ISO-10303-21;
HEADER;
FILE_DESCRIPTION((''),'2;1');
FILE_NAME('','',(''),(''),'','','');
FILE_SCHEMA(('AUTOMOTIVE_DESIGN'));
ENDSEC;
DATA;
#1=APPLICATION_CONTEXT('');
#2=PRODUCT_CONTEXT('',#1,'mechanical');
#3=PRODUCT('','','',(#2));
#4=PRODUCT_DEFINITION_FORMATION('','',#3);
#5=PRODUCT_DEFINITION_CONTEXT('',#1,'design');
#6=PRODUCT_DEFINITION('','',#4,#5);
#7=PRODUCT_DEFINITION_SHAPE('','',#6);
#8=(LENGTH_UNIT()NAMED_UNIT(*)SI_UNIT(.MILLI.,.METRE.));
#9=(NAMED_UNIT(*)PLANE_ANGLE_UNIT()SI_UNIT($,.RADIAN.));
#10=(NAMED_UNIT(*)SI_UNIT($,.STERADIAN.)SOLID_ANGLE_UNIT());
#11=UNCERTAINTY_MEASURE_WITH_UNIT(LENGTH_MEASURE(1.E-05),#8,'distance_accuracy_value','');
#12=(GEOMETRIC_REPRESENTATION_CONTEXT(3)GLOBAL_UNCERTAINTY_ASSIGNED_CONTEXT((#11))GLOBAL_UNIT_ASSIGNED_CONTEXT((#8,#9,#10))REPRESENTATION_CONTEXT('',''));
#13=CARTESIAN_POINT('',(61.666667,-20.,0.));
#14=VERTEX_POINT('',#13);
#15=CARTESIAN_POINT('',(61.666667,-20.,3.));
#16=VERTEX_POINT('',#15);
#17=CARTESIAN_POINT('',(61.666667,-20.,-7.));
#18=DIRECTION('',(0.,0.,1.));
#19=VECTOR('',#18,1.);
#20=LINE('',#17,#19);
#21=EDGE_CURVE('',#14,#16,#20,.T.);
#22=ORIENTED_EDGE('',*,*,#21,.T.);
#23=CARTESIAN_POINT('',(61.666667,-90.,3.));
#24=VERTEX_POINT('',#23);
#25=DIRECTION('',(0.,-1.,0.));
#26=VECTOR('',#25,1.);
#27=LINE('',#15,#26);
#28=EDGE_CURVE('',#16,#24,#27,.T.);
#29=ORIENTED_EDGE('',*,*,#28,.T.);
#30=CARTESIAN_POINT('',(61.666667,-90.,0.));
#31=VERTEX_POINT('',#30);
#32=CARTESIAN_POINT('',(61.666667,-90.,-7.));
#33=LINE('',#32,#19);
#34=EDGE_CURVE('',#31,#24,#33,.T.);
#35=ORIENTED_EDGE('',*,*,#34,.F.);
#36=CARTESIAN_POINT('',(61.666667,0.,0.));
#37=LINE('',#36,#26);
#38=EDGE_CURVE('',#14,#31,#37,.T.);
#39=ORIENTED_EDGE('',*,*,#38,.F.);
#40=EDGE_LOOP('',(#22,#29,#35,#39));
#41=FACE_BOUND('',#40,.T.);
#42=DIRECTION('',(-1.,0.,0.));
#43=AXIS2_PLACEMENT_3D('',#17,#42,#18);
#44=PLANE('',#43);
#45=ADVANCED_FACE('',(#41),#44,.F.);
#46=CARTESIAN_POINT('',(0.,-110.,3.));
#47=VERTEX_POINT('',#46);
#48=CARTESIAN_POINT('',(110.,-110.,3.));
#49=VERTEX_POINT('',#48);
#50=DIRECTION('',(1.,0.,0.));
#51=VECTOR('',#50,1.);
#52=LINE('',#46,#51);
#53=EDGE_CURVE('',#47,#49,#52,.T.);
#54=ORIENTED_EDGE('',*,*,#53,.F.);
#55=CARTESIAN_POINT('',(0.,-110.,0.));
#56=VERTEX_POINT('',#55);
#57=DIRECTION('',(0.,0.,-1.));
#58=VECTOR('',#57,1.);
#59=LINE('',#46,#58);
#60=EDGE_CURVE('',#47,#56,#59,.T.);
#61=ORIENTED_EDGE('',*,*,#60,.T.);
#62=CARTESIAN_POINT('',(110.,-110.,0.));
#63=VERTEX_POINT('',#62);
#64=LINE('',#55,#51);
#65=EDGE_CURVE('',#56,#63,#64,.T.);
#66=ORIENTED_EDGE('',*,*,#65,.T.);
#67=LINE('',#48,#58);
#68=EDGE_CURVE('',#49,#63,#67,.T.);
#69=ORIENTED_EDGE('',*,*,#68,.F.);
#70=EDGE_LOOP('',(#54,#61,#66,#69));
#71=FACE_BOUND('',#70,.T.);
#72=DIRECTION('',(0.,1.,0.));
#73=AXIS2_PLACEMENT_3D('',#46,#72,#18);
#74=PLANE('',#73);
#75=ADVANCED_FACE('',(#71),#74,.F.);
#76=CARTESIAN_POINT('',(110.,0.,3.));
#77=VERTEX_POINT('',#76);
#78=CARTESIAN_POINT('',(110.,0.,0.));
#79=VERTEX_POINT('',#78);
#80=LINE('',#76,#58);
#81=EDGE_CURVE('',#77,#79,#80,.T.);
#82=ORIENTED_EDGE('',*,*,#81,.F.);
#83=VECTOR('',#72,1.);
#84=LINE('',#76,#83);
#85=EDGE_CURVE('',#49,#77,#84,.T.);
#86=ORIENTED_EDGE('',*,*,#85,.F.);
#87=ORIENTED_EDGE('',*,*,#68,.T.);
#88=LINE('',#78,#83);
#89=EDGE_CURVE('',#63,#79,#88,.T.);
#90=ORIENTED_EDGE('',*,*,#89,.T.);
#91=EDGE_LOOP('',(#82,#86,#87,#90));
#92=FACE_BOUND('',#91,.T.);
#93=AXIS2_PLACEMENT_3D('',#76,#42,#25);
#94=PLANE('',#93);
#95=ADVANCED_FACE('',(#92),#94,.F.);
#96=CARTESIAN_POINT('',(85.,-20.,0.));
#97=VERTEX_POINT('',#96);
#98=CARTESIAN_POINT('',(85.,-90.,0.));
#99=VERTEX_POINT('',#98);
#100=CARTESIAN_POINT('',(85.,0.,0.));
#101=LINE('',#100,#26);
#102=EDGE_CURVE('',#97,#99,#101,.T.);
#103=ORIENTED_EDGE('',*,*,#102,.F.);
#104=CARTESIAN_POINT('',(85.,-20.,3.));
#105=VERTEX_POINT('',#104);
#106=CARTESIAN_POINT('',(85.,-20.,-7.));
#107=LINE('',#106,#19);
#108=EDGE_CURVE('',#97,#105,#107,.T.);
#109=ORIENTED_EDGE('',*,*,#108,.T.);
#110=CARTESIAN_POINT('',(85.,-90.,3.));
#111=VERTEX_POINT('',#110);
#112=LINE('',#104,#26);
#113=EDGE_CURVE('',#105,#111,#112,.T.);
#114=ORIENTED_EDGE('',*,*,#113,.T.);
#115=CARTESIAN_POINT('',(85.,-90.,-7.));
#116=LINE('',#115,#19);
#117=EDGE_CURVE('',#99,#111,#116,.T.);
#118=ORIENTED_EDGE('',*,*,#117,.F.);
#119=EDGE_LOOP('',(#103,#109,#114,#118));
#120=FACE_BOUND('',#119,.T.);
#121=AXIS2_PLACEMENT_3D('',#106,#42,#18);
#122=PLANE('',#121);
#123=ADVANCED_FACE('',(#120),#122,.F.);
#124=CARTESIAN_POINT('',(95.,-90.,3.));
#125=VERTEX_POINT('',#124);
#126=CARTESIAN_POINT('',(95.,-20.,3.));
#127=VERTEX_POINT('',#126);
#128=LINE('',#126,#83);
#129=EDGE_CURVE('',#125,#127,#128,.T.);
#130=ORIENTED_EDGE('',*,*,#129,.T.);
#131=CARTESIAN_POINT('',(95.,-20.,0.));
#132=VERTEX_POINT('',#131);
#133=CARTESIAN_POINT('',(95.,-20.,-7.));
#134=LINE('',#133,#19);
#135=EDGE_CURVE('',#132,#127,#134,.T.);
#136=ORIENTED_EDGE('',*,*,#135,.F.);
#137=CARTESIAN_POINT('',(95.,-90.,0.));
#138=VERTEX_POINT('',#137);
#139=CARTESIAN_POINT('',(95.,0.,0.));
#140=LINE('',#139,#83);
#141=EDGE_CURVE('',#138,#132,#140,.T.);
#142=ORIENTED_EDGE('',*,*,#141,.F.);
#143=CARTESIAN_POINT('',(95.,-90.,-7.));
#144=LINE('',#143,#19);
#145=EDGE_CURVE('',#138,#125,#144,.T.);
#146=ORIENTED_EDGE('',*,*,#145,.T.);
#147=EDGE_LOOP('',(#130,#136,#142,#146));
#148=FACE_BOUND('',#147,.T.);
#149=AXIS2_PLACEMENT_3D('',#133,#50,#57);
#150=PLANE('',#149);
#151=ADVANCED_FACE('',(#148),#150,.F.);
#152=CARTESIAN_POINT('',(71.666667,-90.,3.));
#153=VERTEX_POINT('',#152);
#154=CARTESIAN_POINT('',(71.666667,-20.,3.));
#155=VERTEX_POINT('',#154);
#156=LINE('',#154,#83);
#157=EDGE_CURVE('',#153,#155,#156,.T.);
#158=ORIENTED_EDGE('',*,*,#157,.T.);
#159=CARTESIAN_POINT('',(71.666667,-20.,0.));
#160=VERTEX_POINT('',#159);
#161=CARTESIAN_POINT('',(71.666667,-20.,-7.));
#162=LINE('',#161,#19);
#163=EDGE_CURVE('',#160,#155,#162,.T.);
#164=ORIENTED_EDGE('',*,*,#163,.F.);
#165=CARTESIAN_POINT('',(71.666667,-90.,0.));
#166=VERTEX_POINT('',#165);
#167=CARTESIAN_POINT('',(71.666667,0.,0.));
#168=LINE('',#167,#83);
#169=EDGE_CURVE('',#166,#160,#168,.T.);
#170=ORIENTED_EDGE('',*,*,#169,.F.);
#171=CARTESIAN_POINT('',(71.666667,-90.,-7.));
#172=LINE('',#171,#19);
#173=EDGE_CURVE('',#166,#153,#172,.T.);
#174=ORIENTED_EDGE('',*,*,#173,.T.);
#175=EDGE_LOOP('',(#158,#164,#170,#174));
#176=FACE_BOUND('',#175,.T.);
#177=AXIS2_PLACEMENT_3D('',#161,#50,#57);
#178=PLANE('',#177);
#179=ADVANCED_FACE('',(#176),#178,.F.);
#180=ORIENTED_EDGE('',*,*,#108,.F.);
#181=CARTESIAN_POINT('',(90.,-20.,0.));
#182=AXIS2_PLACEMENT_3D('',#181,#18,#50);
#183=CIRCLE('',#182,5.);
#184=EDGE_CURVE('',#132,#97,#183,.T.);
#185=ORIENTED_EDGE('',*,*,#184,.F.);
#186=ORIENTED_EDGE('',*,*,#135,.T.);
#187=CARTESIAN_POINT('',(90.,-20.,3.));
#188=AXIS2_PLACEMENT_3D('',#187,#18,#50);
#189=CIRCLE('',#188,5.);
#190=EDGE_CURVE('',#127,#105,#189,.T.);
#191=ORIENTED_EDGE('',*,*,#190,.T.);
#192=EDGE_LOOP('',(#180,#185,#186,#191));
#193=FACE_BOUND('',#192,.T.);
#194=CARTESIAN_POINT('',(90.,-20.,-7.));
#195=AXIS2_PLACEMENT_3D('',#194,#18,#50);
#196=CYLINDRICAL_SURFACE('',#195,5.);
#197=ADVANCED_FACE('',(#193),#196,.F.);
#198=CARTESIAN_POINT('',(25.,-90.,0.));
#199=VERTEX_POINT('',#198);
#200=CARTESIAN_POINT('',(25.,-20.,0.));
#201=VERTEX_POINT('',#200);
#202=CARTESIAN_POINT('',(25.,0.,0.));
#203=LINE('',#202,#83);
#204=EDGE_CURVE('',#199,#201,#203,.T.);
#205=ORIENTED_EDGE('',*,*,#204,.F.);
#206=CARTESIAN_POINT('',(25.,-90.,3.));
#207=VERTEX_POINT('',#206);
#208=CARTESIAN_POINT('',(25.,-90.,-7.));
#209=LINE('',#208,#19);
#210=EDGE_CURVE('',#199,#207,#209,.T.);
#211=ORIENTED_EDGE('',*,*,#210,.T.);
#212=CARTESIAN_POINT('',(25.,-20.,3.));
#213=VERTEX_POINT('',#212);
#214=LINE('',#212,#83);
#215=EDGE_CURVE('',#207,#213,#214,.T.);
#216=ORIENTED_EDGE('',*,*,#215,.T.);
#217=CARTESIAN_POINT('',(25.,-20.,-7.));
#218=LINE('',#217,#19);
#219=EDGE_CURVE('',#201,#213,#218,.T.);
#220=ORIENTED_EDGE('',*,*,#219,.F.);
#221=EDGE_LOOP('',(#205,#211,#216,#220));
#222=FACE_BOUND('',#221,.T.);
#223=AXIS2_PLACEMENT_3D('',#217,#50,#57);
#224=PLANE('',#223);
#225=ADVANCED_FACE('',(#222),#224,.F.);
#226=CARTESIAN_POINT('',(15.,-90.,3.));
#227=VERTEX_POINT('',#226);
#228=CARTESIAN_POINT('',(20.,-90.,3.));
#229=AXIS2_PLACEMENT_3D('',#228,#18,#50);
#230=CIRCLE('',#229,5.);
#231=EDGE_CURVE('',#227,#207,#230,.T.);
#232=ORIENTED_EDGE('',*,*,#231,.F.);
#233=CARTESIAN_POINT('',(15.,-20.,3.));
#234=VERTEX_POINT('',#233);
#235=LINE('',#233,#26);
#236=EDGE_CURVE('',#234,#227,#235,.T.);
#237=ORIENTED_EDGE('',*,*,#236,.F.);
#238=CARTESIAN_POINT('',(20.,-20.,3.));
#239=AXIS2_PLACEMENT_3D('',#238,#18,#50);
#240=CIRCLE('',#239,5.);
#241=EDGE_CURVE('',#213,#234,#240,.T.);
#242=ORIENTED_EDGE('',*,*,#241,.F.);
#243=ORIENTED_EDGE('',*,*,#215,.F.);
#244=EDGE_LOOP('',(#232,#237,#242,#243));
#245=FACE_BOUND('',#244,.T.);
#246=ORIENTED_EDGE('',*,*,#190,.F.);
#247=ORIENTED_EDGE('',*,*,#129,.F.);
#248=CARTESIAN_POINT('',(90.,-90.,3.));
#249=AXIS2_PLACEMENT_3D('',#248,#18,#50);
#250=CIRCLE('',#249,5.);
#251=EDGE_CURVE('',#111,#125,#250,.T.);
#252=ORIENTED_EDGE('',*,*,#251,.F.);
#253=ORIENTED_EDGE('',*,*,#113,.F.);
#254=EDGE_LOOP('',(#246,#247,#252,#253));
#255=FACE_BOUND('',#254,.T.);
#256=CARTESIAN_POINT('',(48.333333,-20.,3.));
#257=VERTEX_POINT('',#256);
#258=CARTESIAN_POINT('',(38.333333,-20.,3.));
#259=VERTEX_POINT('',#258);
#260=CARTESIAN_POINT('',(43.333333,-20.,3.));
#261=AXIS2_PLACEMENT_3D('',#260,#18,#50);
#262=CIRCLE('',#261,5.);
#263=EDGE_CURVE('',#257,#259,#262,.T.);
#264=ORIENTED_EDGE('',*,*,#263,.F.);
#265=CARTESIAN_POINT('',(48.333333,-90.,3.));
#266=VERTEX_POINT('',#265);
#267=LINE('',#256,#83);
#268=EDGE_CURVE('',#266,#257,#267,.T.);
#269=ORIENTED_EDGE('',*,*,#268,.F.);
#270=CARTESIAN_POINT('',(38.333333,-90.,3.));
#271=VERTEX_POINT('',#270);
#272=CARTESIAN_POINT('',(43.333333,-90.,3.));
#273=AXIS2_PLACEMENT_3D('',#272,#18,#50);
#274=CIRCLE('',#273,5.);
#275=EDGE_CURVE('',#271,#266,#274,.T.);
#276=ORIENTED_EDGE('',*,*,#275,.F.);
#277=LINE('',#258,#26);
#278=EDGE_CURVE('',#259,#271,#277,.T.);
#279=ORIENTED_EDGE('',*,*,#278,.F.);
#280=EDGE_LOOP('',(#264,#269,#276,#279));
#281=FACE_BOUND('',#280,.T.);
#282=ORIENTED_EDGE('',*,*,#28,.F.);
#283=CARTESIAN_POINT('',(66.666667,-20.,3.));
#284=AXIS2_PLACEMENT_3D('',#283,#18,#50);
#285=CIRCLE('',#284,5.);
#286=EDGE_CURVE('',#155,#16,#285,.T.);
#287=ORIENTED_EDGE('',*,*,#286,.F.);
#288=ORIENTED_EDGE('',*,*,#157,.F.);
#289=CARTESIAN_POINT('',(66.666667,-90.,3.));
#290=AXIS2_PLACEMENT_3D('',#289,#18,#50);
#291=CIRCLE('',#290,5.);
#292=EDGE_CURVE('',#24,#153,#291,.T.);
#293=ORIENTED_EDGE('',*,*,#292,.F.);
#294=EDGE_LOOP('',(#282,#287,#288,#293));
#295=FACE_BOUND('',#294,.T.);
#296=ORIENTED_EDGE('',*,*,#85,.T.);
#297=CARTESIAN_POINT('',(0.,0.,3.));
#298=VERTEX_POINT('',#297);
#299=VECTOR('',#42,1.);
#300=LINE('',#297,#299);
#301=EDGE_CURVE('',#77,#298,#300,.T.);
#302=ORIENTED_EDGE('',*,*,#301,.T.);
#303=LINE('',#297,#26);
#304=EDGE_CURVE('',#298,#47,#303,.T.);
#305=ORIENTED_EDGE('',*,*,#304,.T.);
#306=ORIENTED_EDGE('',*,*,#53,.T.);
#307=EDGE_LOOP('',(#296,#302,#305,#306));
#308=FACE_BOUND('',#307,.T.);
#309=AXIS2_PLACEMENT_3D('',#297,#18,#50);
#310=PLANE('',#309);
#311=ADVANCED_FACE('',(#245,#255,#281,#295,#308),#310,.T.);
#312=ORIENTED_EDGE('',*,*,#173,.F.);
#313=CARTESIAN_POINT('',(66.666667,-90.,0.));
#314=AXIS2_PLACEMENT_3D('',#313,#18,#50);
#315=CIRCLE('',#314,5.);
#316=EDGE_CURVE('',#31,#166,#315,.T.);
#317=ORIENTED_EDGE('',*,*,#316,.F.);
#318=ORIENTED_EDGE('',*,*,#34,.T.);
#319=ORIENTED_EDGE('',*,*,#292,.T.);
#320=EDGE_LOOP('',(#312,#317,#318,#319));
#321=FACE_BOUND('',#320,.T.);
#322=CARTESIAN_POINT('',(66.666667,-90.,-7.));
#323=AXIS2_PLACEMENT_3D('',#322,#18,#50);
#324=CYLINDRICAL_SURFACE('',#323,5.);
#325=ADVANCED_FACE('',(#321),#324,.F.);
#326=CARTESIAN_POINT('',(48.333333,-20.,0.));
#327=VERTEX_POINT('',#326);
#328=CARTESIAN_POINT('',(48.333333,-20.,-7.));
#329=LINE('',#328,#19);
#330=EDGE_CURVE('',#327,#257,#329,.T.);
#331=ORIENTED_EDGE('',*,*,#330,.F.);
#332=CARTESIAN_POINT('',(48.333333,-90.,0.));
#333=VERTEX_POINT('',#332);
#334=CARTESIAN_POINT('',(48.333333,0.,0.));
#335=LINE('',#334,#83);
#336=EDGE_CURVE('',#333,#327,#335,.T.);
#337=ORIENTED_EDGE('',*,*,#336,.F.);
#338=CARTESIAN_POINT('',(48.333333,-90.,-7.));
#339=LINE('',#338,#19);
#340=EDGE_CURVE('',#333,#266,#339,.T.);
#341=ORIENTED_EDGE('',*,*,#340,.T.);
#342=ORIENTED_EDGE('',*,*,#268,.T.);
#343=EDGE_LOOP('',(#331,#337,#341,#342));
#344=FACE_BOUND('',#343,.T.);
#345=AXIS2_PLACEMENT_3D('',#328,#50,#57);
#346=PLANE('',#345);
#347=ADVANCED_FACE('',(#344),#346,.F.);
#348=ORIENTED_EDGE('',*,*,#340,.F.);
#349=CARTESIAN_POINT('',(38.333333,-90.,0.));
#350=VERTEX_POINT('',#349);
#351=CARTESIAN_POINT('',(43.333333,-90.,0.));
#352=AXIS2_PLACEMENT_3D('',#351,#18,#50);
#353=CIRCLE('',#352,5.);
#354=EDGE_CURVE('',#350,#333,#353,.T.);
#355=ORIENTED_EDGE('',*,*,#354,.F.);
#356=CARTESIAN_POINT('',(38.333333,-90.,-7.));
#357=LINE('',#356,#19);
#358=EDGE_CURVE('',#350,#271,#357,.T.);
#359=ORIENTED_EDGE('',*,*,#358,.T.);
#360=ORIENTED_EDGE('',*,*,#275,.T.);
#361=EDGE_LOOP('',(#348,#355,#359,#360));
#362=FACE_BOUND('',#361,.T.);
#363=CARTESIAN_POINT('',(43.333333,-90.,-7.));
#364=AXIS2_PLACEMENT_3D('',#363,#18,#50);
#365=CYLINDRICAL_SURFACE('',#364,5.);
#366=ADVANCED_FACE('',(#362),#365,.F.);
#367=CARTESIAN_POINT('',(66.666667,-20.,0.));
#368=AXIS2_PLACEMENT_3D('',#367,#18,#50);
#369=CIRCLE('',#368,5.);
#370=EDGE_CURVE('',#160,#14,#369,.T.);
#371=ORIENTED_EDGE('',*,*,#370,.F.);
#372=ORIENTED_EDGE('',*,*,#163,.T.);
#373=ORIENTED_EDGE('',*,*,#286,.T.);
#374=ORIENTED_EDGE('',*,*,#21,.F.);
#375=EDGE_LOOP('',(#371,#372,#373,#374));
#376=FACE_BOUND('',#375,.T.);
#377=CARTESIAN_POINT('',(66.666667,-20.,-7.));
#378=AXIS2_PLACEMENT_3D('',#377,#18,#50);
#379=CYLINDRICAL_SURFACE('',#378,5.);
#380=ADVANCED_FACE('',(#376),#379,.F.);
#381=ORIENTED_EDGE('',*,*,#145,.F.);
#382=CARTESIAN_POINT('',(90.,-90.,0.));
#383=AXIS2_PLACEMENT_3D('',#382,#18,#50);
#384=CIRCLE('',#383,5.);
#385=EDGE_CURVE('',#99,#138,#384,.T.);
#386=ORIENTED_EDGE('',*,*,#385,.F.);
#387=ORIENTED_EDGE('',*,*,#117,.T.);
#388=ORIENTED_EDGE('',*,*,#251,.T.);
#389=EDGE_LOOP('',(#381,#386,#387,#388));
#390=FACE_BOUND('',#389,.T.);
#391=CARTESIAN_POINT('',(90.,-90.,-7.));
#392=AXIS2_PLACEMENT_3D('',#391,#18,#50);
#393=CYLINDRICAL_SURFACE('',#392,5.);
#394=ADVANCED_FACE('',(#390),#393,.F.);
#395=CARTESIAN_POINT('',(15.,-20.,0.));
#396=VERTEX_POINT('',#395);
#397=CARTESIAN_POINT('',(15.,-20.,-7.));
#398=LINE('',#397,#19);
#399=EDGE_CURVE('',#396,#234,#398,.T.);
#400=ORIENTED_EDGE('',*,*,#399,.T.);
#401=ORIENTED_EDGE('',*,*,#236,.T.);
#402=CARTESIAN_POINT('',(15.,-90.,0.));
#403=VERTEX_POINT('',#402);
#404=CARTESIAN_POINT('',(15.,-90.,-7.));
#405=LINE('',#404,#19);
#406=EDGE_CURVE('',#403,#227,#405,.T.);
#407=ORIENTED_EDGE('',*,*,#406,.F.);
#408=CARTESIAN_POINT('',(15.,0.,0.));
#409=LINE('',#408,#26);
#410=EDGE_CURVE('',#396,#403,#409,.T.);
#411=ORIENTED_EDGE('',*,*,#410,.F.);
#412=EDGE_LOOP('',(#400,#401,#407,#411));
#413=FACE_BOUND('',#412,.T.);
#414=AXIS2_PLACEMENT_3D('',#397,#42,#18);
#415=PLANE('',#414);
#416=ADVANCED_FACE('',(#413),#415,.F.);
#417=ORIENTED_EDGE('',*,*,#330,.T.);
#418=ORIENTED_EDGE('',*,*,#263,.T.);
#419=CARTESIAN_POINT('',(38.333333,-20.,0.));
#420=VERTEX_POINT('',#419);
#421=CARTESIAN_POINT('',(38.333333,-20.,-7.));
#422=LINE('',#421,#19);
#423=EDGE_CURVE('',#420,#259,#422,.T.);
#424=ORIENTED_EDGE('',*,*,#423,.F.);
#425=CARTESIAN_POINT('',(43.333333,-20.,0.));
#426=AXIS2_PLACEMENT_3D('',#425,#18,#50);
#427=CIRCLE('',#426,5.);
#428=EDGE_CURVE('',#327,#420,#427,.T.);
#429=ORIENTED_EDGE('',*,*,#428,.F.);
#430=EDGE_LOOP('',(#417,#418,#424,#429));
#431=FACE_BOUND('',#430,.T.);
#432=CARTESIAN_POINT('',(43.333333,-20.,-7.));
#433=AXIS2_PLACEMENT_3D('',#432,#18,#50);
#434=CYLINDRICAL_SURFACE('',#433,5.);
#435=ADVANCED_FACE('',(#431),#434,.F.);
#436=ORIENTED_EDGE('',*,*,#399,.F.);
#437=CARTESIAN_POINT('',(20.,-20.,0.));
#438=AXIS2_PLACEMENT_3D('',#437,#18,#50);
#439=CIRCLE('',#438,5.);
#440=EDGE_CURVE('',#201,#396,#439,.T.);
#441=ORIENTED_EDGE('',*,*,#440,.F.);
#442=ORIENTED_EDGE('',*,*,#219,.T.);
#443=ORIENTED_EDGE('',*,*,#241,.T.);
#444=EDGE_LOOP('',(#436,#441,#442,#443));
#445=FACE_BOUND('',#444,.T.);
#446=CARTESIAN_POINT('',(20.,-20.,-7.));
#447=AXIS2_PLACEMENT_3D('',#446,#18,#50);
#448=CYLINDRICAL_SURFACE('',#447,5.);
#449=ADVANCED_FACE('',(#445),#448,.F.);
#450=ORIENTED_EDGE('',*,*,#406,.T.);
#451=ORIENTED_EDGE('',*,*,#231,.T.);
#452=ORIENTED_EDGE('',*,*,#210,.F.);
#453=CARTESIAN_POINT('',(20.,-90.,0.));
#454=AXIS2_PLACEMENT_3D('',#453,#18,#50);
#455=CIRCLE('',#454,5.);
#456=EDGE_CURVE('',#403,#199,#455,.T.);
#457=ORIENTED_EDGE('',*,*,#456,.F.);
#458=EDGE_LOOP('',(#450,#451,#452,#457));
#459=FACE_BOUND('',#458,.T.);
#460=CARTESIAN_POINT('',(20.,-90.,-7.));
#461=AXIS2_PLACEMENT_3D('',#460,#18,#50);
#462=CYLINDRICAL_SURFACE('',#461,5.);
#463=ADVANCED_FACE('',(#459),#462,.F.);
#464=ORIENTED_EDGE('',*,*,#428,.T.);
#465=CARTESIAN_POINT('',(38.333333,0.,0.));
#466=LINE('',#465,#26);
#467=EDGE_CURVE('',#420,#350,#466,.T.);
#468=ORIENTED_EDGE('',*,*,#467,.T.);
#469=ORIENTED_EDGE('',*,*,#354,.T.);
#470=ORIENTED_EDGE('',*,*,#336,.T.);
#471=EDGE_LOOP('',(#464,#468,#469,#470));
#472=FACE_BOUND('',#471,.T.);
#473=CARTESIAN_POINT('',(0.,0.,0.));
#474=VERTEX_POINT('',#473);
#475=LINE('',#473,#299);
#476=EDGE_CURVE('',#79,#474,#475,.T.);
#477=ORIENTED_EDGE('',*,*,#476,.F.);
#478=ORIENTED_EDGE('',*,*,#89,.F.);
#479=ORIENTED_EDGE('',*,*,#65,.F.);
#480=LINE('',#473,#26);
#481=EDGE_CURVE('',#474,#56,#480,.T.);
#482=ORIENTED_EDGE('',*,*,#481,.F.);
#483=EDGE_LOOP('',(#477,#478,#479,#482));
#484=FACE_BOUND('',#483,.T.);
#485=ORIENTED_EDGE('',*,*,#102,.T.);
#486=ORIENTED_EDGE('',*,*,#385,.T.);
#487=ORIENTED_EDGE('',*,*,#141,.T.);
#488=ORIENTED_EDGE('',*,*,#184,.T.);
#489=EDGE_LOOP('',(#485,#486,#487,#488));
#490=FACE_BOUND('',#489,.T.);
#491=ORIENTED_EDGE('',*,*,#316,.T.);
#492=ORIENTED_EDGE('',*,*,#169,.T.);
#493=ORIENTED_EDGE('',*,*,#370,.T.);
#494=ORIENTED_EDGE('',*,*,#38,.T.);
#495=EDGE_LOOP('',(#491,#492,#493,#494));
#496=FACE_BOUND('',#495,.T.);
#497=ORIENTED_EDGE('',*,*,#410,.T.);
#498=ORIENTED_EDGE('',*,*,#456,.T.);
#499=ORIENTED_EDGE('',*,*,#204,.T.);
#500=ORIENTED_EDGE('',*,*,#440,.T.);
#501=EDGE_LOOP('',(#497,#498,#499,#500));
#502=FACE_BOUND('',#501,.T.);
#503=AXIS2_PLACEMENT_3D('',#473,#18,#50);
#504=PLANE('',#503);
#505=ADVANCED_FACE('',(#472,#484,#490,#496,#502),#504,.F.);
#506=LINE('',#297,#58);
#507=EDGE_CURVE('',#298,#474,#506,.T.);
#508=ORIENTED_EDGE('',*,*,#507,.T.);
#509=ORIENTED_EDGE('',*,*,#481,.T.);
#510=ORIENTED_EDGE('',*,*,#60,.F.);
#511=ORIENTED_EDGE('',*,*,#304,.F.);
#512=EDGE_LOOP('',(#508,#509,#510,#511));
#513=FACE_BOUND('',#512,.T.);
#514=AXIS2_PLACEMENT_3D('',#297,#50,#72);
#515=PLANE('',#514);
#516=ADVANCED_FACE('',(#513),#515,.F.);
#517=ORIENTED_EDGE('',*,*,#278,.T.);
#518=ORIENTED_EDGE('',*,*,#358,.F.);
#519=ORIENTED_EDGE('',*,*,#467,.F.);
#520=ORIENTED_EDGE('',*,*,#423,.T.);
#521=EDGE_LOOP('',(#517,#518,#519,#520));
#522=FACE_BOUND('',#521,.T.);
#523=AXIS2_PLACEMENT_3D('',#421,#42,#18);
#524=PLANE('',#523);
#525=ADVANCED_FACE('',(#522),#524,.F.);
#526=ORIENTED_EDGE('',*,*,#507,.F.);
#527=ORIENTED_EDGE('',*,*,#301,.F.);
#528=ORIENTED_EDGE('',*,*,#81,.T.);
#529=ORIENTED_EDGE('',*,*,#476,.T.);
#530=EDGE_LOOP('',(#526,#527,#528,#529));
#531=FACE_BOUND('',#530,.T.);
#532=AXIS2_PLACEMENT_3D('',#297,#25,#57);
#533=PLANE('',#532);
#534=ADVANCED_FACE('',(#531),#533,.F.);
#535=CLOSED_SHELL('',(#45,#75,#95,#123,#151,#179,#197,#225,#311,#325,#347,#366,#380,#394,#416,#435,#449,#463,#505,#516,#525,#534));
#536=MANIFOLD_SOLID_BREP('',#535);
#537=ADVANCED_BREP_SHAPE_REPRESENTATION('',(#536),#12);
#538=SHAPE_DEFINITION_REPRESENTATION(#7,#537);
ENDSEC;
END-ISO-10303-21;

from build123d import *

# Parameters (mm, degrees)
IZIM1_W                     = 110
IZIM1_H                     = 110
Y_KSEKLIK_EKSTR_ZYON1_DEPTH = 3
KES_EKSTR_ZYON1_DEPTH       = 10


with BuildPart() as part:
    # Çizim1 → Yükseklik-Ekstrüzyon1 (new body)
    with BuildSketch(Plane.XY):
        with Locations((55, -55)):
            Rectangle(IZIM1_W, IZIM1_H)
    extrude(amount=Y_KSEKLIK_EKSTR_ZYON1_DEPTH)

    # Çizim2 → Kes-Ekstrüzyon1 (cut)
    with BuildSketch(Plane.XY.offset(3)):
        with BuildLine():
            Line((25, -20), (25, -90))
            ThreePointArc((25, -90), (20, -95), (15, -90))
            Line((15, -90), (15, -20))
            ThreePointArc((15, -20), (20, -15), (25, -20))
        make_face()
        with BuildLine():
            Line((38.333333333, -20), (38.333333333, -90))
            ThreePointArc((38.333333333, -90), (43.333333333, -95), (48.333333333, -90))
            Line((48.333333333, -90), (48.333333333, -20))
            ThreePointArc((48.333333333, -20), (43.333333333, -15), (38.333333333, -20))
        make_face()
        with BuildLine():
            Line((61.666666667, -20), (61.666666667, -90))
            ThreePointArc((61.666666667, -90), (66.666666667, -95), (71.666666667, -90))
            Line((71.666666667, -90), (71.666666667, -20))
            ThreePointArc((71.666666667, -20), (66.666666667, -15), (61.666666667, -20))
        make_face()
        with BuildLine():
            Line((85, -20), (85, -90))
            ThreePointArc((85, -90), (90, -95), (95, -90))
            Line((95, -90), (95, -20))
            ThreePointArc((95, -20), (90, -15), (85, -20))
        make_face()
    extrude(amount=-KES_EKSTR_ZYON1_DEPTH, mode=Mode.SUBTRACT)


solid = part.part
